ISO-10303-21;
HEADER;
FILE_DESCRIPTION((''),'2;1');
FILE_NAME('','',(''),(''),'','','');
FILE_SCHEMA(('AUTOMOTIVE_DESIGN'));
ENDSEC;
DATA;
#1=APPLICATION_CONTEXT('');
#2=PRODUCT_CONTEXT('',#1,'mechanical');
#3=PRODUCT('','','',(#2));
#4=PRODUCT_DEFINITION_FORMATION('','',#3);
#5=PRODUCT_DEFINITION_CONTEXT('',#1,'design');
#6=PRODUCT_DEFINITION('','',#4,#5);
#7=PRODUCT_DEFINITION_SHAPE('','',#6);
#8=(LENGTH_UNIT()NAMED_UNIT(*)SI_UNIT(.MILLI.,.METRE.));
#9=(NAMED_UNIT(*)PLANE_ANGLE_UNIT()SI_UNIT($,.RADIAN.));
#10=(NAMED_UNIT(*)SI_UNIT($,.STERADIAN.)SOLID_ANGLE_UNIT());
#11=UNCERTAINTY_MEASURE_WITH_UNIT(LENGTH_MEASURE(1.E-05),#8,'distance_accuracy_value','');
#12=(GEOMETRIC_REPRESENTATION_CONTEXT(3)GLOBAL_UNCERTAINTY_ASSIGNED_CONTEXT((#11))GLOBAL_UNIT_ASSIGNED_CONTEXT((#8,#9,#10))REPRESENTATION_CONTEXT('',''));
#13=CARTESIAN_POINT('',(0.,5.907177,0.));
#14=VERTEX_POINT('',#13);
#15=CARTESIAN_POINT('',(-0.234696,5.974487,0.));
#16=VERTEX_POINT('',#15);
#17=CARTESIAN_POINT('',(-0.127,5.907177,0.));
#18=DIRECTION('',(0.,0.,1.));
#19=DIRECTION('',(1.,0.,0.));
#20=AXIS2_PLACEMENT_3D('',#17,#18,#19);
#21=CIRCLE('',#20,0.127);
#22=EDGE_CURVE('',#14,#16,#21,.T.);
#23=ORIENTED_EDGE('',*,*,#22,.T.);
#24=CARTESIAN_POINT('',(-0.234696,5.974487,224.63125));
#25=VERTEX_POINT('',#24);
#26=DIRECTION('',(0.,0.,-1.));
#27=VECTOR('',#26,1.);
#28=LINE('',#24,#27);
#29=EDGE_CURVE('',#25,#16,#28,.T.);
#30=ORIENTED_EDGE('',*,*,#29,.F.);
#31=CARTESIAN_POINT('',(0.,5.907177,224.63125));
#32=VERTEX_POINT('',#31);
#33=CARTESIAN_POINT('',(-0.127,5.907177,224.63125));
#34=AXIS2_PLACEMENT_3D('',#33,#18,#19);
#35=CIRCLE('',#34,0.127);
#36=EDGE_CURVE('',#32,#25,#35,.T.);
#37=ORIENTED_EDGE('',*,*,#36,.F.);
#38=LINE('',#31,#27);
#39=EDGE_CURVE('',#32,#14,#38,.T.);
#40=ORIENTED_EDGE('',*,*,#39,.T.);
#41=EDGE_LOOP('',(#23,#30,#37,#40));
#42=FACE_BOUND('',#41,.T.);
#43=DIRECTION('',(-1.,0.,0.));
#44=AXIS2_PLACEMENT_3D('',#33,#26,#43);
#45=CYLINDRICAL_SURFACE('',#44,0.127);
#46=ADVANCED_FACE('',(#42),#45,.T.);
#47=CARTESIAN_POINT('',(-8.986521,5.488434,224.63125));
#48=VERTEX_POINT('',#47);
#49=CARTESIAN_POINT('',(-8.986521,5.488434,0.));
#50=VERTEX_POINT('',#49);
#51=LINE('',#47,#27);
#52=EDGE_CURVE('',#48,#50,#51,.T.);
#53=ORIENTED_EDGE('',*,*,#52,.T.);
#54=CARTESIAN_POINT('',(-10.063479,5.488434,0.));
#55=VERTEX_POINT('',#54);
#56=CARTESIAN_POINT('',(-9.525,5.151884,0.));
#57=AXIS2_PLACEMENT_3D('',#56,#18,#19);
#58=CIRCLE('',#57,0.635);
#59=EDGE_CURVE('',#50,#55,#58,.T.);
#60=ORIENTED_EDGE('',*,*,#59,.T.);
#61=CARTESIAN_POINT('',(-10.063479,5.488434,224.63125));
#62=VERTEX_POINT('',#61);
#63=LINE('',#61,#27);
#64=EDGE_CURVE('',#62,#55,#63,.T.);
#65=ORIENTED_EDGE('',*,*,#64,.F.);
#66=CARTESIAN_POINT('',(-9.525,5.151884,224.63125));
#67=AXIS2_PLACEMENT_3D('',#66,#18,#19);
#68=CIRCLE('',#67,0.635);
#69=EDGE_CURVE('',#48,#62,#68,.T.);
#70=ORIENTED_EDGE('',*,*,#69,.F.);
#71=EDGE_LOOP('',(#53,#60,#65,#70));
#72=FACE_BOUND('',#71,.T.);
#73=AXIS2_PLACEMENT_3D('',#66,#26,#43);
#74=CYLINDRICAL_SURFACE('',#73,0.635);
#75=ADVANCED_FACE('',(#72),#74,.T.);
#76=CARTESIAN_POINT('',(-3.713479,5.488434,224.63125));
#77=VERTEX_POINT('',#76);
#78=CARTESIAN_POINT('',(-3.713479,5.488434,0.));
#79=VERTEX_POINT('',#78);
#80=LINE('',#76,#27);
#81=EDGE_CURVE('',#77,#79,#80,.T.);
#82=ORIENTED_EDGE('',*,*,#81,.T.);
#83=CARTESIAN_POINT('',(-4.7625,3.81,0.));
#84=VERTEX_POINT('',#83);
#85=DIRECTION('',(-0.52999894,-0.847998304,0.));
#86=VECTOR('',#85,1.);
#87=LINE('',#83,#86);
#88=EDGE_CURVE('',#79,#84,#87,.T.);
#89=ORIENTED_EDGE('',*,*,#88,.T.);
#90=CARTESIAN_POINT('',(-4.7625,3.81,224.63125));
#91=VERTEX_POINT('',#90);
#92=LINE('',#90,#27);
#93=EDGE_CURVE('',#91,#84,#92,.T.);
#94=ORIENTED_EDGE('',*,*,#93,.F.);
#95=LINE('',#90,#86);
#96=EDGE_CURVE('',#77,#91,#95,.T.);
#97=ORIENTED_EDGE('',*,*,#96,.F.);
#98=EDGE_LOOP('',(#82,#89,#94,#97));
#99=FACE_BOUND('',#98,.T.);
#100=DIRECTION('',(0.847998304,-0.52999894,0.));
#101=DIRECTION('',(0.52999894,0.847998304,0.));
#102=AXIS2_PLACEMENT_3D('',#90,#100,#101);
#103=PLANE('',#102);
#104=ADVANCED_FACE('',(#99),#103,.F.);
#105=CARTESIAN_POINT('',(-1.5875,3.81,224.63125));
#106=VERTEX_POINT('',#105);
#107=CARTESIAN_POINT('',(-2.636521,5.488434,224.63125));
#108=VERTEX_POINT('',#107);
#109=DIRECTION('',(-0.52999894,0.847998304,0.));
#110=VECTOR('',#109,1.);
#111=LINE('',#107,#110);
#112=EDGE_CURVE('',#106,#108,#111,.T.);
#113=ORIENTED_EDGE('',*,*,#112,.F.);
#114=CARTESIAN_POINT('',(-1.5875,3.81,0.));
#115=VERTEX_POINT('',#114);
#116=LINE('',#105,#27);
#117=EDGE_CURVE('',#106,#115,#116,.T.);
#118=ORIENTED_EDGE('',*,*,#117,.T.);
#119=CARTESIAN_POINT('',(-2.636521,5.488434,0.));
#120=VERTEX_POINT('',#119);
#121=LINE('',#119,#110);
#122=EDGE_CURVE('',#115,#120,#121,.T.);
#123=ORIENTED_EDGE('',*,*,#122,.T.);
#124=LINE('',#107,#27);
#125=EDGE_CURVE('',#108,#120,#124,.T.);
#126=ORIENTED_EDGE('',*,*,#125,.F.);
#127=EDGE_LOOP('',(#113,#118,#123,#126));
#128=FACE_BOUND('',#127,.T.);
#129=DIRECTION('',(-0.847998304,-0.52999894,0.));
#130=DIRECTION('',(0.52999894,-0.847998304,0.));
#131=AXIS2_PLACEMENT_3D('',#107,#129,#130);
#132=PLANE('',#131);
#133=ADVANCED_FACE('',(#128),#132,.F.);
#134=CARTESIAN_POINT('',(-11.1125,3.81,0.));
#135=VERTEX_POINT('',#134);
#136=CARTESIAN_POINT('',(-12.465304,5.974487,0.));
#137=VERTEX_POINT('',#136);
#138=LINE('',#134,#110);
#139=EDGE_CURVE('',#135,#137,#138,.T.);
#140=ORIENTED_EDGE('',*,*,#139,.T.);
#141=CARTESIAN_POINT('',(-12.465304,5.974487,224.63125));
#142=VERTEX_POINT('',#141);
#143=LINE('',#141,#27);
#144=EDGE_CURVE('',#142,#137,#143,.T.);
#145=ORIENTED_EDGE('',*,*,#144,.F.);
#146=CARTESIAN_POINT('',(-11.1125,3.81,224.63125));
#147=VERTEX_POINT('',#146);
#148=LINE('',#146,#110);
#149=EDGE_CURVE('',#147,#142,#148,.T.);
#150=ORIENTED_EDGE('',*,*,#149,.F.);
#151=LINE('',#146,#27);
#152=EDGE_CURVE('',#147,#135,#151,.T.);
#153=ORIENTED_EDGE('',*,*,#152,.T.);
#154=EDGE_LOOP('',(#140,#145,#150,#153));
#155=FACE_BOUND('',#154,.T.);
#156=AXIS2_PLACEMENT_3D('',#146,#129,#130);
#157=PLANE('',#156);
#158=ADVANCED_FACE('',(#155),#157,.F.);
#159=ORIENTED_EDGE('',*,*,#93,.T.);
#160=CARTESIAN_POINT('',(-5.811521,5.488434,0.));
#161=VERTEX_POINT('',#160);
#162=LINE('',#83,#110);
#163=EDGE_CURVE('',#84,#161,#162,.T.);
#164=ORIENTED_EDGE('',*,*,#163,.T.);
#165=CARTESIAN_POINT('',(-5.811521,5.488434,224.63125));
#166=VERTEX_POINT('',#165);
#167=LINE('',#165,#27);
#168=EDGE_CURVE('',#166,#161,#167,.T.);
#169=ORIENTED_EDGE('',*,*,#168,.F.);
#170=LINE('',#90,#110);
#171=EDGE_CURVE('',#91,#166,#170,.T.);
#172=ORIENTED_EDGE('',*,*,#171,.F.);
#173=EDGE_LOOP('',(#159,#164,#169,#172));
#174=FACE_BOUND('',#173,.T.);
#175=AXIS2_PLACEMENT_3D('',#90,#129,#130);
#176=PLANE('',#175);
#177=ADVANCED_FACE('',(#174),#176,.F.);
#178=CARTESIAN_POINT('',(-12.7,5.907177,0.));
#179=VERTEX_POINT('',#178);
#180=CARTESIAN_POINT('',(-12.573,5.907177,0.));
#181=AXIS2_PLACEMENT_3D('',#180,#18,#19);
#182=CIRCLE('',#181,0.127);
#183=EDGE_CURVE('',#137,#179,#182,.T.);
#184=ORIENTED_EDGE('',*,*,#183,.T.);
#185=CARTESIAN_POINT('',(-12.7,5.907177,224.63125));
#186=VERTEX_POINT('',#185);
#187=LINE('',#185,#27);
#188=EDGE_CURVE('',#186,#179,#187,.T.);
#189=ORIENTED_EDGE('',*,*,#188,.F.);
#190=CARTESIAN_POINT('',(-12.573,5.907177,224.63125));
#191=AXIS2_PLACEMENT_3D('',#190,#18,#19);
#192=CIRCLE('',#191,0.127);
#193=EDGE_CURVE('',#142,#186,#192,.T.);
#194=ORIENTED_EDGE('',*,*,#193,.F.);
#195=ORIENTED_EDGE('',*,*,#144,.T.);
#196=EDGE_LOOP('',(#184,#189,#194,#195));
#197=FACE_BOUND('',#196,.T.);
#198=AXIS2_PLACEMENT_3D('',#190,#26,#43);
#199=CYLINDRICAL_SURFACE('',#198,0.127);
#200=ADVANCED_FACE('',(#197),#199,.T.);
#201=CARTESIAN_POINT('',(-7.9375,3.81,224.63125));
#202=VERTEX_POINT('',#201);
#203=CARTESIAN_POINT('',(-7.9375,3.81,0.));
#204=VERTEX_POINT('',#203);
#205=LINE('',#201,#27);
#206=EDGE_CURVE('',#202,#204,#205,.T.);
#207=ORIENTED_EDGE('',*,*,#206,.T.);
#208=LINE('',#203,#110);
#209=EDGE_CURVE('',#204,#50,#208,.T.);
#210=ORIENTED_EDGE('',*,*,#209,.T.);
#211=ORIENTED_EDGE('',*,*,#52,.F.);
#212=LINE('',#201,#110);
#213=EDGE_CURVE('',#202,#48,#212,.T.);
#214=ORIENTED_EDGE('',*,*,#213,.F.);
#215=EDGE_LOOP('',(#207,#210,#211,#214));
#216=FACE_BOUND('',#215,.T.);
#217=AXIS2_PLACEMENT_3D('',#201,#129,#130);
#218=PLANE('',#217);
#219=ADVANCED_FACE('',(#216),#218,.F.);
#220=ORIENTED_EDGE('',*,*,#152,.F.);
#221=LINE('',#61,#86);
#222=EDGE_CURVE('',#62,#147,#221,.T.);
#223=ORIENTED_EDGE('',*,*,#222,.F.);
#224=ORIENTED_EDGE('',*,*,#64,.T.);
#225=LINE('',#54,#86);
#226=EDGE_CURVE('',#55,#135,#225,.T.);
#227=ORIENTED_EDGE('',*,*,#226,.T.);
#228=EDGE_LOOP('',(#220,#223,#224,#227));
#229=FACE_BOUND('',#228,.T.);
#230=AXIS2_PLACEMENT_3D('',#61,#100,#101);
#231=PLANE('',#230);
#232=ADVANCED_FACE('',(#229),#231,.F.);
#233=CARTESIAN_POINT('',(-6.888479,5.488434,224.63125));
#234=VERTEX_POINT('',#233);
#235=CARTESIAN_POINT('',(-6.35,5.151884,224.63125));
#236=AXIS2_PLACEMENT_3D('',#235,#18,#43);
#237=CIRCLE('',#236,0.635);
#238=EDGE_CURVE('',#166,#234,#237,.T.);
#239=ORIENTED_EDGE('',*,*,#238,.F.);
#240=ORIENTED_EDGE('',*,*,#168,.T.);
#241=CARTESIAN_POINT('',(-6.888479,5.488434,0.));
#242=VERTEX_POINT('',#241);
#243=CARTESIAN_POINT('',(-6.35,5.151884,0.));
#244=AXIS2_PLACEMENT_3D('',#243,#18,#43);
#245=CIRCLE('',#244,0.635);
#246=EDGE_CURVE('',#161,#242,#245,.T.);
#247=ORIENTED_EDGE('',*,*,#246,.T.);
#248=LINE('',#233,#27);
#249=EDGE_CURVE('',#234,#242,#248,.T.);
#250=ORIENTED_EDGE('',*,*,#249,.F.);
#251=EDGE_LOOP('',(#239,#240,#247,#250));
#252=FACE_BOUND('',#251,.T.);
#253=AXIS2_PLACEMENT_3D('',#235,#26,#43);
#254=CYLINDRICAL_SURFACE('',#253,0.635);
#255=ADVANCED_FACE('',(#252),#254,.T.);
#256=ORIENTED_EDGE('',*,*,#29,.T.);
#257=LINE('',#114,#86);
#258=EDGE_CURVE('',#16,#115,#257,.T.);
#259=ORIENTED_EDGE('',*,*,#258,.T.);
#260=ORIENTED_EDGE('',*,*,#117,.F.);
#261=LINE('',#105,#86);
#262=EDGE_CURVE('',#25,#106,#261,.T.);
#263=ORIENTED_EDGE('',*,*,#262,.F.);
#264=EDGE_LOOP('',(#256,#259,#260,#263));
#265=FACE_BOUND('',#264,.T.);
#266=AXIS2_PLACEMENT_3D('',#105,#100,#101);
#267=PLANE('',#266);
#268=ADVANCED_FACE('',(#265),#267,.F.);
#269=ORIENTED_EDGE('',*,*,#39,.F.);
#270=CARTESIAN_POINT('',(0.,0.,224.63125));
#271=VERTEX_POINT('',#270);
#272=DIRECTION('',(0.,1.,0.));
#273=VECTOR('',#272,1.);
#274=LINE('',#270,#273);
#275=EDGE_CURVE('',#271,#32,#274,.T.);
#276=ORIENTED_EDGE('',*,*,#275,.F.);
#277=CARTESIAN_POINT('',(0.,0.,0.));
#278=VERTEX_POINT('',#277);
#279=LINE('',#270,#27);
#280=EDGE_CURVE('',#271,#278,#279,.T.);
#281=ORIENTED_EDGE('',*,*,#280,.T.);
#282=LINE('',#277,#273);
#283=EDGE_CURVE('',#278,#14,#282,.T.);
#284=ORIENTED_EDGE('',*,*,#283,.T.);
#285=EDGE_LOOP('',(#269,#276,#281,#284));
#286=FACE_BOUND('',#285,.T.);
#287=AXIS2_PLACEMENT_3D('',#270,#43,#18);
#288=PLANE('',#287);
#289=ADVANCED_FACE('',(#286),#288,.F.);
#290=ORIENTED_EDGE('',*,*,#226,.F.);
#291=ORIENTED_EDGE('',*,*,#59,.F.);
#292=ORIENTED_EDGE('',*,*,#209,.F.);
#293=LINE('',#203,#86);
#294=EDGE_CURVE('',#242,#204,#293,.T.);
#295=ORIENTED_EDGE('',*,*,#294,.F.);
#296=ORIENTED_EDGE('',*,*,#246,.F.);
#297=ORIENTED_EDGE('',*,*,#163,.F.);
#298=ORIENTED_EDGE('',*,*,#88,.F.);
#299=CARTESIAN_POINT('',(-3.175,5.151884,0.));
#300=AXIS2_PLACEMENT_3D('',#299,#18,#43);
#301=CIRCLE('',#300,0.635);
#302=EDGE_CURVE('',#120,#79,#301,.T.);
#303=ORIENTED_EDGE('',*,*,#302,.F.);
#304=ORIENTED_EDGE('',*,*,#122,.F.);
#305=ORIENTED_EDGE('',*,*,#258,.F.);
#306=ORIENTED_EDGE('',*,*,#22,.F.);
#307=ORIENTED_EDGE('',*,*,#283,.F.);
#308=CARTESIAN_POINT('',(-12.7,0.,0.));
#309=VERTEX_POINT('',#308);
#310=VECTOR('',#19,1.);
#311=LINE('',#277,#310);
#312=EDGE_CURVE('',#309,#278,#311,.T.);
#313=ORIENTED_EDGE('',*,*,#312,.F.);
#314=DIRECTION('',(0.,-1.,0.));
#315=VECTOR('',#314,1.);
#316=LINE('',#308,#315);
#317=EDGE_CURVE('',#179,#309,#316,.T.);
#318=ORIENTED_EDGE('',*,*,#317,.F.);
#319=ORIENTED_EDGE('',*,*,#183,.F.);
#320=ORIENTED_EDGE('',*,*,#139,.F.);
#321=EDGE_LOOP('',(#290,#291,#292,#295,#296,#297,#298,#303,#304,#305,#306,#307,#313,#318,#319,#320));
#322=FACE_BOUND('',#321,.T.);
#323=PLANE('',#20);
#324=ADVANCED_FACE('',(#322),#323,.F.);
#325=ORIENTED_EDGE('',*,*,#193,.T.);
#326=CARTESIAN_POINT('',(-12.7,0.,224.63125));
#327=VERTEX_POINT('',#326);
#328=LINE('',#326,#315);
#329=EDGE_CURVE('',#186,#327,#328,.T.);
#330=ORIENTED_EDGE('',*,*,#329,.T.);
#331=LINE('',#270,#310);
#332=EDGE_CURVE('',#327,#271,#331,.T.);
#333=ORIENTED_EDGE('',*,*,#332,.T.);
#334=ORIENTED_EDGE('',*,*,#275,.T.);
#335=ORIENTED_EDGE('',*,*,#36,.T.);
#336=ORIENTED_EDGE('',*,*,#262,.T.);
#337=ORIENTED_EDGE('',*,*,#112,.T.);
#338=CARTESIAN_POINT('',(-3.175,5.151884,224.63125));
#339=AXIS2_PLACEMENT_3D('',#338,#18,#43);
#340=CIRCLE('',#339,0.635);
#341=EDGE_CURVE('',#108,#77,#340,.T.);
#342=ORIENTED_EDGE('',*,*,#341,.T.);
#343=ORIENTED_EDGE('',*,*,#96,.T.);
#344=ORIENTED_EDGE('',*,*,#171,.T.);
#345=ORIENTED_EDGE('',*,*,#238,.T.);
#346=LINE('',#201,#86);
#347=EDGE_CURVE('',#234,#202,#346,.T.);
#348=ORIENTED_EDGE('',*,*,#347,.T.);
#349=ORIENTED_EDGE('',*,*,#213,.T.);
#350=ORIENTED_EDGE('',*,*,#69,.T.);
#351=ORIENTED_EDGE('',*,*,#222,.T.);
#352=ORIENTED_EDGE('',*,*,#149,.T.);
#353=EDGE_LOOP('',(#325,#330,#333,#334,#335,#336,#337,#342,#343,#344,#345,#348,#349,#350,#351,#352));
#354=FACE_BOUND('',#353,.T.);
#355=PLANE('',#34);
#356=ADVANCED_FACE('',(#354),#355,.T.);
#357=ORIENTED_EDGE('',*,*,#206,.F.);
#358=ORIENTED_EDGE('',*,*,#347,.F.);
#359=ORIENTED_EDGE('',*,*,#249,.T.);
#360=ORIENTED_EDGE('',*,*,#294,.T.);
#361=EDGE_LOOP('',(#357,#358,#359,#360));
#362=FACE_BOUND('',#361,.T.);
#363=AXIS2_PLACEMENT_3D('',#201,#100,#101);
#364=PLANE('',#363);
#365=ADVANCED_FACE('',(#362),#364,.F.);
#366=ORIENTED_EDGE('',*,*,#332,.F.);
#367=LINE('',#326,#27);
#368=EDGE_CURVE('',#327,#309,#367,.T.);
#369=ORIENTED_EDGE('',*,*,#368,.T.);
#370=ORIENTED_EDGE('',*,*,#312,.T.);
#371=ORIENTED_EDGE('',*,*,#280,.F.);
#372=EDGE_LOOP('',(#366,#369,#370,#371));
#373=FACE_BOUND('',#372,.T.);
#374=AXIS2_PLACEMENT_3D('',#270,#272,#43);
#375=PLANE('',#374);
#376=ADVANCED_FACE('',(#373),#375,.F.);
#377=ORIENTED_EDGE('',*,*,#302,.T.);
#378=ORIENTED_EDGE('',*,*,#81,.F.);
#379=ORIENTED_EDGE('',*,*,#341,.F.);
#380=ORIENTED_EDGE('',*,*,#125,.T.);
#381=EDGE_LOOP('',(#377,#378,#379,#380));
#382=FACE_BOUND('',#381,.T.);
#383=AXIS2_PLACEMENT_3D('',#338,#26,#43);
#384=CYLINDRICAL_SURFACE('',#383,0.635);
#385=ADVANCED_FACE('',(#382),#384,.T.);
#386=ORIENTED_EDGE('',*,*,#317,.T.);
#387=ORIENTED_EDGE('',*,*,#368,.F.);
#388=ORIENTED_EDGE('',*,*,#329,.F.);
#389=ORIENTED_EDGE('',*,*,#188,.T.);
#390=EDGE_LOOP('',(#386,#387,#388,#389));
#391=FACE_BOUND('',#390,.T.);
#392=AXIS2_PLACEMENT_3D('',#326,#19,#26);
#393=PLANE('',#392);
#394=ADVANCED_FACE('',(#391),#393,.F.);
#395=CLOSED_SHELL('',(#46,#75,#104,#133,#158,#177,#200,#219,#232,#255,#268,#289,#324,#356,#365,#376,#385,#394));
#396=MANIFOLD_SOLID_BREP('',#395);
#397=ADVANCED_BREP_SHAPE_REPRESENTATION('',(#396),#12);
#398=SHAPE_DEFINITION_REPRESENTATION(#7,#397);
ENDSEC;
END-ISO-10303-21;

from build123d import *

# Parameters (mm, degrees)
BOSS_EXTRUDE1_DEPTH = 224.63125


with BuildPart() as part:
    # Sketch1 → Boss-Extrude1 (new body)
    with BuildSketch(Plane.XY):
        with BuildLine():
            Line((0, 0), (-12.7, 0))
            Line((-12.7, 0), (-12.7, 5.907176879))
            ThreePointArc((-12.7, 5.907176879), (-12.608011679, 6.02925547), (-12.465304215, 5.974486745))
            Line((-12.465304215, 5.974486745), (-11.1125, 3.81))
            Line((-11.1125, 3.81), (-10.063478923, 5.488433723))
            ThreePointArc((-10.063478923, 5.488433723), (-9.525, 5.786884396), (-8.986521077, 5.488433723))
            Line((-8.986521077, 5.488433723), (-7.9375, 3.81))
            Line((-7.9375, 3.81), (-6.888478923, 5.488433723))
            ThreePointArc((-6.888478923, 5.488433723), (-6.35, 5.786884396), (-5.811521077, 5.488433723))
            Line((-5.811521077, 5.488433723), (-4.7625, 3.81))
            Line((-4.7625, 3.81), (-3.713478923, 5.488433723))
            ThreePointArc((-3.713478923, 5.488433723), (-3.175, 5.786884396), (-2.636521077, 5.488433723))
            Line((-2.636521077, 5.488433723), (-1.5875, 3.81))
            Line((-1.5875, 3.81), (-0.234695785, 5.974486745))
            ThreePointArc((-0.234695785, 5.974486745), (-0.091988321, 6.02925547), (0, 5.907176879))
            Line((0, 5.907176879), (0, 0))
        make_face()
    extrude(amount=BOSS_EXTRUDE1_DEPTH)


solid = part.part
